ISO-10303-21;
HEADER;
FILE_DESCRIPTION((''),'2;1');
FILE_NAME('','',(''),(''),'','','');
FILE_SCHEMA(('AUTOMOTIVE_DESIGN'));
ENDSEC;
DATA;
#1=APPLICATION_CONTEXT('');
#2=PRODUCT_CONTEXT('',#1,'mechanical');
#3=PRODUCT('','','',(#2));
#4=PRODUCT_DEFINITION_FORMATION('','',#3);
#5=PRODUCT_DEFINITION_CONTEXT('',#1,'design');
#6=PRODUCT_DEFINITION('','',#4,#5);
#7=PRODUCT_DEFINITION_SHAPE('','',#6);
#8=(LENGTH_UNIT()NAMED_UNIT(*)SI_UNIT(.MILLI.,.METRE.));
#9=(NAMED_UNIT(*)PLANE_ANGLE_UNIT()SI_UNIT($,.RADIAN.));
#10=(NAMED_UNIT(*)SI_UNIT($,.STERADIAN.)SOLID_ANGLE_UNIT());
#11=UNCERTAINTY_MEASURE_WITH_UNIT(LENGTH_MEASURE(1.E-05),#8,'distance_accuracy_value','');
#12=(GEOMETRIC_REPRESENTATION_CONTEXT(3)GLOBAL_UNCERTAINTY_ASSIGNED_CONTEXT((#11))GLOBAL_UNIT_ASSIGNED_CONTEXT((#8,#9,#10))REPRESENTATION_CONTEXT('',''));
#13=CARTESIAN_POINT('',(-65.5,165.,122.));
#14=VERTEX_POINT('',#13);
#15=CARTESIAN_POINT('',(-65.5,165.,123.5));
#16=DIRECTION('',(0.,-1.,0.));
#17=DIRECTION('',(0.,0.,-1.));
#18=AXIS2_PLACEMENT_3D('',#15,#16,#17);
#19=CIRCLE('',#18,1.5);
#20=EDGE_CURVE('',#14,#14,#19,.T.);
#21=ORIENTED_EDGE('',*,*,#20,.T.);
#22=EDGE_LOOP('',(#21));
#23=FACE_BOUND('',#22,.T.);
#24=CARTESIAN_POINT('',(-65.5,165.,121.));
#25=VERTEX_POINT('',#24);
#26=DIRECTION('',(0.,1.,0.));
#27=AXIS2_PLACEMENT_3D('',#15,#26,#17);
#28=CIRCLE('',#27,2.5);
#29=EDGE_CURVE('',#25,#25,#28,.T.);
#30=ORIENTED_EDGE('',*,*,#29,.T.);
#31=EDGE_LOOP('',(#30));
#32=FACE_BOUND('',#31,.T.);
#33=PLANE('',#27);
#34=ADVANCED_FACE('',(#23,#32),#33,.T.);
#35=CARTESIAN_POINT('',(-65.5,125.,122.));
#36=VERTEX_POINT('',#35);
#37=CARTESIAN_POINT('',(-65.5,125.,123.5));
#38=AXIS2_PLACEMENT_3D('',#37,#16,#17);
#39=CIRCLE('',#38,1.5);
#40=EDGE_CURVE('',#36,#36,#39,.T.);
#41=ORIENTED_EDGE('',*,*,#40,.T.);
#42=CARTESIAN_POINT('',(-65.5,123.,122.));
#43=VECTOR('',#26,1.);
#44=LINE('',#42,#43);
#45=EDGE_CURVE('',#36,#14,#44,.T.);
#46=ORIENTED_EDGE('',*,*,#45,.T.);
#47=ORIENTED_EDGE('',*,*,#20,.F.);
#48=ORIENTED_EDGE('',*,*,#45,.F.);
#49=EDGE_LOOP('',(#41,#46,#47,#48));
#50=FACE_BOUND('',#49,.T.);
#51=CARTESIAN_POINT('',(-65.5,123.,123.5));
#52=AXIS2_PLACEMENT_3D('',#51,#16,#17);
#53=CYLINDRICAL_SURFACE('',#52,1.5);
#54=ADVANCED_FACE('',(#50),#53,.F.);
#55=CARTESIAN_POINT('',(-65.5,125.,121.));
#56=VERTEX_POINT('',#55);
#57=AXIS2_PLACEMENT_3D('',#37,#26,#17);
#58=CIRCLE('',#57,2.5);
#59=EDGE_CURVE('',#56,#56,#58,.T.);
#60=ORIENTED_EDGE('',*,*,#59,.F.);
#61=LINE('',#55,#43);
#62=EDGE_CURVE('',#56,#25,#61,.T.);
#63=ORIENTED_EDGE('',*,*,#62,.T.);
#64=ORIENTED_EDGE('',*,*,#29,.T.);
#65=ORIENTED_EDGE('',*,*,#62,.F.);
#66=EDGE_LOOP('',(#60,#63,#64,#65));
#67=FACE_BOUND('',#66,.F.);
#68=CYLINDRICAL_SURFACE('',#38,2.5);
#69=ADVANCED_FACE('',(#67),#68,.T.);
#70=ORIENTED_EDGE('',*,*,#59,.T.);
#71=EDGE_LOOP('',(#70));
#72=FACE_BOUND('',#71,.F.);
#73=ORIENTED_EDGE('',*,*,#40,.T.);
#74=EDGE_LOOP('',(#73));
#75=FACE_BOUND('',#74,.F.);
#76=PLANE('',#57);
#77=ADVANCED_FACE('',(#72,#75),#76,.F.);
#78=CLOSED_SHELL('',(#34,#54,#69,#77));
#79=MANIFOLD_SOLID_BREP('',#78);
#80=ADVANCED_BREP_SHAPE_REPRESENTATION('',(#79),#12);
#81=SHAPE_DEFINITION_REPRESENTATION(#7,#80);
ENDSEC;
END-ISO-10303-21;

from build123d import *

# Parameters (mm, degrees)
CYLINDER001_R           = 1.5
CYLINDER001_DEPTH       = 44
CYLINDER001_PITCH_ANGLE = 90
CYLINDER_R              = 2.5
CYLINDER_DEPTH          = 40
CYLINDER_PITCH_ANGLE    = 90
CUT006_PLACEMENT_ANGLE  = 90


with BuildPart() as cilindro001:
    # Cylinder001 → Cylinder001 (new body)
    with BuildSketch(Plane.XY):
        Circle(CYLINDER001_R)
    extrude(amount=CYLINDER001_DEPTH)


with BuildPart() as cilindro001_1:
    # Cylinder001 pitch: moved
    add(cilindro001.part.rotate(Axis((0, 0, 0), (0, 1, 0)), CYLINDER001_PITCH_ANGLE))


with BuildPart() as cilindro001_2:
    # Cylinder001 placement: moved
    add(cilindro001_1.part.moved(Location((-2, 0, 0))))


with BuildPart() as soporte007:
    # Cylinder → Cylinder (new body)
    with BuildSketch(Plane.XY):
        Circle(CYLINDER_R)
    extrude(amount=CYLINDER_DEPTH)


with BuildPart() as soporte007_1:
    # Cylinder pitch: moved
    add(soporte007.part.rotate(Axis((0, 0, 0), (0, 1, 0)), CYLINDER_PITCH_ANGLE))


with BuildPart() as soporte007_2:
    # Cylinder placement: moved
    add(soporte007_1.part)

    # Cut006: cut Cilindro001
    add(cilindro001_2.part, mode=Mode.SUBTRACT)


with BuildPart() as soporte007_3:
    # Cut006 placement: moved
    add(soporte007_2.part.moved(Location((-65.5, 125, 123.5))).rotate(Axis((-65.5, 125, 123.5), (0, 0, 1)), CUT006_PLACEMENT_ANGLE))


solid = soporte007_3.part
